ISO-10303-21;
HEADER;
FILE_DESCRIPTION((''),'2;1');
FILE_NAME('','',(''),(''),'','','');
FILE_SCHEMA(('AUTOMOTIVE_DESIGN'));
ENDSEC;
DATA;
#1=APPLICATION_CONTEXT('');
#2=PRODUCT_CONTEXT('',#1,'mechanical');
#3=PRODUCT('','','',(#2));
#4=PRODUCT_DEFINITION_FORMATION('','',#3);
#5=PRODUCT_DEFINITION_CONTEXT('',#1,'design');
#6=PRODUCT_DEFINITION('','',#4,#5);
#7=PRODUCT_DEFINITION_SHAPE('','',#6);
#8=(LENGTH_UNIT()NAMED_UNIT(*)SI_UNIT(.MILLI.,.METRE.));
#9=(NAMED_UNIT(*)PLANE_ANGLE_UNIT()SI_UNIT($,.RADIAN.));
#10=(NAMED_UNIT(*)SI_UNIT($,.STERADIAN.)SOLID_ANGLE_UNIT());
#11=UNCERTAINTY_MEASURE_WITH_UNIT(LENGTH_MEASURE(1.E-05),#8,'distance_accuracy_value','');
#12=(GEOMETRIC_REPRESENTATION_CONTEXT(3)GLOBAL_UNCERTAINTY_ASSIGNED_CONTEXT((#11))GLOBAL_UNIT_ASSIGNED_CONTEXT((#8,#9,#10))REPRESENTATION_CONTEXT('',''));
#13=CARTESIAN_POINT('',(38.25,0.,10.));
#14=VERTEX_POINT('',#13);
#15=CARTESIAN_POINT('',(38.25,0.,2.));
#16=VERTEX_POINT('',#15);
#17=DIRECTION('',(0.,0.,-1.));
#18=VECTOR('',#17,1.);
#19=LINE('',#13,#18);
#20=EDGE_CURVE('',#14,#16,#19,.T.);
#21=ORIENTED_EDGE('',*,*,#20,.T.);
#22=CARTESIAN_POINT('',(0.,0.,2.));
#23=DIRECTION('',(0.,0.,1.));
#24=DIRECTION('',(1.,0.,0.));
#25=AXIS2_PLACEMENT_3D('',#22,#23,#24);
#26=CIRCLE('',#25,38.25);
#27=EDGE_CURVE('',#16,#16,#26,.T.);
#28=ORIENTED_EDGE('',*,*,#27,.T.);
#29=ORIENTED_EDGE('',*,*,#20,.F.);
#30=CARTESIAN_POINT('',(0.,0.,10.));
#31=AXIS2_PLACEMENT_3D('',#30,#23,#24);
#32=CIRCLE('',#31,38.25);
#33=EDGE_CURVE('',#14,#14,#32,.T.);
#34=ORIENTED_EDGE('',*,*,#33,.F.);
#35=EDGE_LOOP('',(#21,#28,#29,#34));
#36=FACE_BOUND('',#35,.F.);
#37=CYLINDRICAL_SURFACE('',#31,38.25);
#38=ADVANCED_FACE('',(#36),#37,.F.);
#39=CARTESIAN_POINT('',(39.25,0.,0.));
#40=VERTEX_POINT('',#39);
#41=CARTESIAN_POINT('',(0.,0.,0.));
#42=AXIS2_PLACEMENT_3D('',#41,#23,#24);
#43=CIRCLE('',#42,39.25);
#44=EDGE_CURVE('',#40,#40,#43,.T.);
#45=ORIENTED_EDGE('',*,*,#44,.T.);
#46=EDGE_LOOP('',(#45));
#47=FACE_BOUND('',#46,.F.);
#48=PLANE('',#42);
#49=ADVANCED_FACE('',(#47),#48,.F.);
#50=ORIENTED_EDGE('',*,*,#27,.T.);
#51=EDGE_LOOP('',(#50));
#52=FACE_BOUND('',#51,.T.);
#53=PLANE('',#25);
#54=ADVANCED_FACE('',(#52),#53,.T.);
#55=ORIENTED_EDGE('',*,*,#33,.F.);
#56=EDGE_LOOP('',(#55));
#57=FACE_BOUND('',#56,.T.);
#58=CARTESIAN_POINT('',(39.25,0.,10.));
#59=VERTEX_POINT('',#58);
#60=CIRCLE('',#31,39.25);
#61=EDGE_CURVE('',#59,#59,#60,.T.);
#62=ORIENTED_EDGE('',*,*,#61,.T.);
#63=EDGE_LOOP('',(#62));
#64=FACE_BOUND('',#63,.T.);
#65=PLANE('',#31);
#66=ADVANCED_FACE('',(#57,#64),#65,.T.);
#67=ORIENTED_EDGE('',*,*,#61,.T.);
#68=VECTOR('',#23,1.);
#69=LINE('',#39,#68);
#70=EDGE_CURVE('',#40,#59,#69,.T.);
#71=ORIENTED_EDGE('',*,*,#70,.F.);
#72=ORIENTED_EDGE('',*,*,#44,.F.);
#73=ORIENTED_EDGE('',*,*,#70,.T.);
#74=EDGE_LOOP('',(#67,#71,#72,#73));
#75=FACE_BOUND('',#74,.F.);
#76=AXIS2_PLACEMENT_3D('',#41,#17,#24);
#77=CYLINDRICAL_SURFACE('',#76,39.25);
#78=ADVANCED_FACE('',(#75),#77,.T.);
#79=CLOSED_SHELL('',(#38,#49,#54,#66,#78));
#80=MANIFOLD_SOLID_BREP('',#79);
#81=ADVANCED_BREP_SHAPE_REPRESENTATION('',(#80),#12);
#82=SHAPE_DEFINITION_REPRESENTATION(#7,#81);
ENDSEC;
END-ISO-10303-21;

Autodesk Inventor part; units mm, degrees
ref_plane "YZ Plane" through (0, 0, 0) normal (1, 0, 0) x (0, 1, 0)
ref_plane "XZ Plane" through (0, 0, 0) normal (0, 1, 0) x (-1, 0, 0)
ref_plane "XY Plane" through (0, 0, 0) normal (0, 0, 1) x (1, 0, 0)
sketch "Sketch1" plane through (0, 0, 0) normal (0, 0, 1) x (1, 0, 0)
  circle A0 centre (0, 0) radius 39.25
  dimension "d0" = 78.5
extrude "Extrusion1" add sketch "Sketch1" along normal blind 10
sketch "Sketch2" plane through (0, 0, 10) normal (0, 0, 1) x (1, 0, 0)
  circle A0 centre (0, 0) radius 38.25
  dimension "d3" = 76.5
extrude "Extrusion2" cut sketch "Sketch2" against normal blind 8
properties part number "FilaFunnelCap"
